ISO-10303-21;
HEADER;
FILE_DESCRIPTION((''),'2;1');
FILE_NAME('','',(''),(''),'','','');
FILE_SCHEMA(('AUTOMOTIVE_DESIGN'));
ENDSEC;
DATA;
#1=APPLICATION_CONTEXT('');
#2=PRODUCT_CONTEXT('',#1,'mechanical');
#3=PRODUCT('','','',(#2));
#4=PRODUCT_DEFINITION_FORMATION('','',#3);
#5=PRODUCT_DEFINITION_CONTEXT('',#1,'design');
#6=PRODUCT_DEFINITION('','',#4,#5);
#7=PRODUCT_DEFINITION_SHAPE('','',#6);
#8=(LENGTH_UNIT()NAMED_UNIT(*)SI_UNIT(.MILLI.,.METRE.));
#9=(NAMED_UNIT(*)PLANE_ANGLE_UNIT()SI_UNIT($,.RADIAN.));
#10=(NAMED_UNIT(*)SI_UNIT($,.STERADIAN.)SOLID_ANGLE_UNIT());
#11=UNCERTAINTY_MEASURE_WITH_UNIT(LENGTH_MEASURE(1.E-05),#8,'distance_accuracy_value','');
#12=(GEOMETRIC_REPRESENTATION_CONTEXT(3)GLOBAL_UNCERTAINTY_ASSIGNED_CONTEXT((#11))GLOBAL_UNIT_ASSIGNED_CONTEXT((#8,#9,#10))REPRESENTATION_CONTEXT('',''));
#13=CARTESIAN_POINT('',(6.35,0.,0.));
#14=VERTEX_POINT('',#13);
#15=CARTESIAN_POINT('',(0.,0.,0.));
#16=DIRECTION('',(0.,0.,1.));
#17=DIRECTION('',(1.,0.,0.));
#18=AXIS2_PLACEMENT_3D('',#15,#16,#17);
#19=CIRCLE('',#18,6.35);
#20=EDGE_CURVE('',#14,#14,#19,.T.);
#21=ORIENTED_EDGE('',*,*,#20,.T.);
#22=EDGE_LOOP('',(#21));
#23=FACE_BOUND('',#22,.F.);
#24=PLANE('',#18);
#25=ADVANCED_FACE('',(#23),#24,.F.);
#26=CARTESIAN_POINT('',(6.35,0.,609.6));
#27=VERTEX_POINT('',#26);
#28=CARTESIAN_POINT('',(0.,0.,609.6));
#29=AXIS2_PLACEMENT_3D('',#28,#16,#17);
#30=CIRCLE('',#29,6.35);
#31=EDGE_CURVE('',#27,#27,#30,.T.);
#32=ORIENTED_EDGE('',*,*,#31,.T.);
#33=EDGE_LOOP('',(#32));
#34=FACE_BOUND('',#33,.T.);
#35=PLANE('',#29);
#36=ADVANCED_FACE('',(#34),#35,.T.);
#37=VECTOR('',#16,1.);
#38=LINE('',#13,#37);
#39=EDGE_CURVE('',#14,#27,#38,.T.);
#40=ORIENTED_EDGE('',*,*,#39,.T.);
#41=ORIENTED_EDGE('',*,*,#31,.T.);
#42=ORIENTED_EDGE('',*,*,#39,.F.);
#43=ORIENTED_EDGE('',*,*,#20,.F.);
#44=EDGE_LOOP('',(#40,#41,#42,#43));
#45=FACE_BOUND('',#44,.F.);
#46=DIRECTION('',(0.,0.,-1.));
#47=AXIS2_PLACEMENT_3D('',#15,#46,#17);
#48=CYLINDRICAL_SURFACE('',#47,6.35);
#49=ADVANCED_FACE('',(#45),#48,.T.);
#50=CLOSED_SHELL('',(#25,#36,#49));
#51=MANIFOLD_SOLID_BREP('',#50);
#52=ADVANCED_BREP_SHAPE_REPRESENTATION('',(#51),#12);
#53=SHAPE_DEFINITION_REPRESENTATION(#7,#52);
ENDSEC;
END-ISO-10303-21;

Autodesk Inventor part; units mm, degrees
ref_plane "YZ Plane" through (0, 0, 0) normal (1, 0, 0) x (0, 1, 0)
ref_plane "XZ Plane" through (0, 0, 0) normal (0, 1, 0) x (-1, 0, 0)
ref_plane "XY Plane" through (0, 0, 0) normal (0, 0, 1) x (1, 0, 0)
sketch "Sketch1" plane through (0, 0, 0) normal (0, 0, 1) x (1, 0, 0)
  circle A0 centre (0, 0) radius 6.35
  dimension "d0" = 12.7
extrude "Extrusion1" add sketch "Sketch1" along normal blind 609.6
properties part number "Unthreaded Rod" material "Aluminum 6061"
